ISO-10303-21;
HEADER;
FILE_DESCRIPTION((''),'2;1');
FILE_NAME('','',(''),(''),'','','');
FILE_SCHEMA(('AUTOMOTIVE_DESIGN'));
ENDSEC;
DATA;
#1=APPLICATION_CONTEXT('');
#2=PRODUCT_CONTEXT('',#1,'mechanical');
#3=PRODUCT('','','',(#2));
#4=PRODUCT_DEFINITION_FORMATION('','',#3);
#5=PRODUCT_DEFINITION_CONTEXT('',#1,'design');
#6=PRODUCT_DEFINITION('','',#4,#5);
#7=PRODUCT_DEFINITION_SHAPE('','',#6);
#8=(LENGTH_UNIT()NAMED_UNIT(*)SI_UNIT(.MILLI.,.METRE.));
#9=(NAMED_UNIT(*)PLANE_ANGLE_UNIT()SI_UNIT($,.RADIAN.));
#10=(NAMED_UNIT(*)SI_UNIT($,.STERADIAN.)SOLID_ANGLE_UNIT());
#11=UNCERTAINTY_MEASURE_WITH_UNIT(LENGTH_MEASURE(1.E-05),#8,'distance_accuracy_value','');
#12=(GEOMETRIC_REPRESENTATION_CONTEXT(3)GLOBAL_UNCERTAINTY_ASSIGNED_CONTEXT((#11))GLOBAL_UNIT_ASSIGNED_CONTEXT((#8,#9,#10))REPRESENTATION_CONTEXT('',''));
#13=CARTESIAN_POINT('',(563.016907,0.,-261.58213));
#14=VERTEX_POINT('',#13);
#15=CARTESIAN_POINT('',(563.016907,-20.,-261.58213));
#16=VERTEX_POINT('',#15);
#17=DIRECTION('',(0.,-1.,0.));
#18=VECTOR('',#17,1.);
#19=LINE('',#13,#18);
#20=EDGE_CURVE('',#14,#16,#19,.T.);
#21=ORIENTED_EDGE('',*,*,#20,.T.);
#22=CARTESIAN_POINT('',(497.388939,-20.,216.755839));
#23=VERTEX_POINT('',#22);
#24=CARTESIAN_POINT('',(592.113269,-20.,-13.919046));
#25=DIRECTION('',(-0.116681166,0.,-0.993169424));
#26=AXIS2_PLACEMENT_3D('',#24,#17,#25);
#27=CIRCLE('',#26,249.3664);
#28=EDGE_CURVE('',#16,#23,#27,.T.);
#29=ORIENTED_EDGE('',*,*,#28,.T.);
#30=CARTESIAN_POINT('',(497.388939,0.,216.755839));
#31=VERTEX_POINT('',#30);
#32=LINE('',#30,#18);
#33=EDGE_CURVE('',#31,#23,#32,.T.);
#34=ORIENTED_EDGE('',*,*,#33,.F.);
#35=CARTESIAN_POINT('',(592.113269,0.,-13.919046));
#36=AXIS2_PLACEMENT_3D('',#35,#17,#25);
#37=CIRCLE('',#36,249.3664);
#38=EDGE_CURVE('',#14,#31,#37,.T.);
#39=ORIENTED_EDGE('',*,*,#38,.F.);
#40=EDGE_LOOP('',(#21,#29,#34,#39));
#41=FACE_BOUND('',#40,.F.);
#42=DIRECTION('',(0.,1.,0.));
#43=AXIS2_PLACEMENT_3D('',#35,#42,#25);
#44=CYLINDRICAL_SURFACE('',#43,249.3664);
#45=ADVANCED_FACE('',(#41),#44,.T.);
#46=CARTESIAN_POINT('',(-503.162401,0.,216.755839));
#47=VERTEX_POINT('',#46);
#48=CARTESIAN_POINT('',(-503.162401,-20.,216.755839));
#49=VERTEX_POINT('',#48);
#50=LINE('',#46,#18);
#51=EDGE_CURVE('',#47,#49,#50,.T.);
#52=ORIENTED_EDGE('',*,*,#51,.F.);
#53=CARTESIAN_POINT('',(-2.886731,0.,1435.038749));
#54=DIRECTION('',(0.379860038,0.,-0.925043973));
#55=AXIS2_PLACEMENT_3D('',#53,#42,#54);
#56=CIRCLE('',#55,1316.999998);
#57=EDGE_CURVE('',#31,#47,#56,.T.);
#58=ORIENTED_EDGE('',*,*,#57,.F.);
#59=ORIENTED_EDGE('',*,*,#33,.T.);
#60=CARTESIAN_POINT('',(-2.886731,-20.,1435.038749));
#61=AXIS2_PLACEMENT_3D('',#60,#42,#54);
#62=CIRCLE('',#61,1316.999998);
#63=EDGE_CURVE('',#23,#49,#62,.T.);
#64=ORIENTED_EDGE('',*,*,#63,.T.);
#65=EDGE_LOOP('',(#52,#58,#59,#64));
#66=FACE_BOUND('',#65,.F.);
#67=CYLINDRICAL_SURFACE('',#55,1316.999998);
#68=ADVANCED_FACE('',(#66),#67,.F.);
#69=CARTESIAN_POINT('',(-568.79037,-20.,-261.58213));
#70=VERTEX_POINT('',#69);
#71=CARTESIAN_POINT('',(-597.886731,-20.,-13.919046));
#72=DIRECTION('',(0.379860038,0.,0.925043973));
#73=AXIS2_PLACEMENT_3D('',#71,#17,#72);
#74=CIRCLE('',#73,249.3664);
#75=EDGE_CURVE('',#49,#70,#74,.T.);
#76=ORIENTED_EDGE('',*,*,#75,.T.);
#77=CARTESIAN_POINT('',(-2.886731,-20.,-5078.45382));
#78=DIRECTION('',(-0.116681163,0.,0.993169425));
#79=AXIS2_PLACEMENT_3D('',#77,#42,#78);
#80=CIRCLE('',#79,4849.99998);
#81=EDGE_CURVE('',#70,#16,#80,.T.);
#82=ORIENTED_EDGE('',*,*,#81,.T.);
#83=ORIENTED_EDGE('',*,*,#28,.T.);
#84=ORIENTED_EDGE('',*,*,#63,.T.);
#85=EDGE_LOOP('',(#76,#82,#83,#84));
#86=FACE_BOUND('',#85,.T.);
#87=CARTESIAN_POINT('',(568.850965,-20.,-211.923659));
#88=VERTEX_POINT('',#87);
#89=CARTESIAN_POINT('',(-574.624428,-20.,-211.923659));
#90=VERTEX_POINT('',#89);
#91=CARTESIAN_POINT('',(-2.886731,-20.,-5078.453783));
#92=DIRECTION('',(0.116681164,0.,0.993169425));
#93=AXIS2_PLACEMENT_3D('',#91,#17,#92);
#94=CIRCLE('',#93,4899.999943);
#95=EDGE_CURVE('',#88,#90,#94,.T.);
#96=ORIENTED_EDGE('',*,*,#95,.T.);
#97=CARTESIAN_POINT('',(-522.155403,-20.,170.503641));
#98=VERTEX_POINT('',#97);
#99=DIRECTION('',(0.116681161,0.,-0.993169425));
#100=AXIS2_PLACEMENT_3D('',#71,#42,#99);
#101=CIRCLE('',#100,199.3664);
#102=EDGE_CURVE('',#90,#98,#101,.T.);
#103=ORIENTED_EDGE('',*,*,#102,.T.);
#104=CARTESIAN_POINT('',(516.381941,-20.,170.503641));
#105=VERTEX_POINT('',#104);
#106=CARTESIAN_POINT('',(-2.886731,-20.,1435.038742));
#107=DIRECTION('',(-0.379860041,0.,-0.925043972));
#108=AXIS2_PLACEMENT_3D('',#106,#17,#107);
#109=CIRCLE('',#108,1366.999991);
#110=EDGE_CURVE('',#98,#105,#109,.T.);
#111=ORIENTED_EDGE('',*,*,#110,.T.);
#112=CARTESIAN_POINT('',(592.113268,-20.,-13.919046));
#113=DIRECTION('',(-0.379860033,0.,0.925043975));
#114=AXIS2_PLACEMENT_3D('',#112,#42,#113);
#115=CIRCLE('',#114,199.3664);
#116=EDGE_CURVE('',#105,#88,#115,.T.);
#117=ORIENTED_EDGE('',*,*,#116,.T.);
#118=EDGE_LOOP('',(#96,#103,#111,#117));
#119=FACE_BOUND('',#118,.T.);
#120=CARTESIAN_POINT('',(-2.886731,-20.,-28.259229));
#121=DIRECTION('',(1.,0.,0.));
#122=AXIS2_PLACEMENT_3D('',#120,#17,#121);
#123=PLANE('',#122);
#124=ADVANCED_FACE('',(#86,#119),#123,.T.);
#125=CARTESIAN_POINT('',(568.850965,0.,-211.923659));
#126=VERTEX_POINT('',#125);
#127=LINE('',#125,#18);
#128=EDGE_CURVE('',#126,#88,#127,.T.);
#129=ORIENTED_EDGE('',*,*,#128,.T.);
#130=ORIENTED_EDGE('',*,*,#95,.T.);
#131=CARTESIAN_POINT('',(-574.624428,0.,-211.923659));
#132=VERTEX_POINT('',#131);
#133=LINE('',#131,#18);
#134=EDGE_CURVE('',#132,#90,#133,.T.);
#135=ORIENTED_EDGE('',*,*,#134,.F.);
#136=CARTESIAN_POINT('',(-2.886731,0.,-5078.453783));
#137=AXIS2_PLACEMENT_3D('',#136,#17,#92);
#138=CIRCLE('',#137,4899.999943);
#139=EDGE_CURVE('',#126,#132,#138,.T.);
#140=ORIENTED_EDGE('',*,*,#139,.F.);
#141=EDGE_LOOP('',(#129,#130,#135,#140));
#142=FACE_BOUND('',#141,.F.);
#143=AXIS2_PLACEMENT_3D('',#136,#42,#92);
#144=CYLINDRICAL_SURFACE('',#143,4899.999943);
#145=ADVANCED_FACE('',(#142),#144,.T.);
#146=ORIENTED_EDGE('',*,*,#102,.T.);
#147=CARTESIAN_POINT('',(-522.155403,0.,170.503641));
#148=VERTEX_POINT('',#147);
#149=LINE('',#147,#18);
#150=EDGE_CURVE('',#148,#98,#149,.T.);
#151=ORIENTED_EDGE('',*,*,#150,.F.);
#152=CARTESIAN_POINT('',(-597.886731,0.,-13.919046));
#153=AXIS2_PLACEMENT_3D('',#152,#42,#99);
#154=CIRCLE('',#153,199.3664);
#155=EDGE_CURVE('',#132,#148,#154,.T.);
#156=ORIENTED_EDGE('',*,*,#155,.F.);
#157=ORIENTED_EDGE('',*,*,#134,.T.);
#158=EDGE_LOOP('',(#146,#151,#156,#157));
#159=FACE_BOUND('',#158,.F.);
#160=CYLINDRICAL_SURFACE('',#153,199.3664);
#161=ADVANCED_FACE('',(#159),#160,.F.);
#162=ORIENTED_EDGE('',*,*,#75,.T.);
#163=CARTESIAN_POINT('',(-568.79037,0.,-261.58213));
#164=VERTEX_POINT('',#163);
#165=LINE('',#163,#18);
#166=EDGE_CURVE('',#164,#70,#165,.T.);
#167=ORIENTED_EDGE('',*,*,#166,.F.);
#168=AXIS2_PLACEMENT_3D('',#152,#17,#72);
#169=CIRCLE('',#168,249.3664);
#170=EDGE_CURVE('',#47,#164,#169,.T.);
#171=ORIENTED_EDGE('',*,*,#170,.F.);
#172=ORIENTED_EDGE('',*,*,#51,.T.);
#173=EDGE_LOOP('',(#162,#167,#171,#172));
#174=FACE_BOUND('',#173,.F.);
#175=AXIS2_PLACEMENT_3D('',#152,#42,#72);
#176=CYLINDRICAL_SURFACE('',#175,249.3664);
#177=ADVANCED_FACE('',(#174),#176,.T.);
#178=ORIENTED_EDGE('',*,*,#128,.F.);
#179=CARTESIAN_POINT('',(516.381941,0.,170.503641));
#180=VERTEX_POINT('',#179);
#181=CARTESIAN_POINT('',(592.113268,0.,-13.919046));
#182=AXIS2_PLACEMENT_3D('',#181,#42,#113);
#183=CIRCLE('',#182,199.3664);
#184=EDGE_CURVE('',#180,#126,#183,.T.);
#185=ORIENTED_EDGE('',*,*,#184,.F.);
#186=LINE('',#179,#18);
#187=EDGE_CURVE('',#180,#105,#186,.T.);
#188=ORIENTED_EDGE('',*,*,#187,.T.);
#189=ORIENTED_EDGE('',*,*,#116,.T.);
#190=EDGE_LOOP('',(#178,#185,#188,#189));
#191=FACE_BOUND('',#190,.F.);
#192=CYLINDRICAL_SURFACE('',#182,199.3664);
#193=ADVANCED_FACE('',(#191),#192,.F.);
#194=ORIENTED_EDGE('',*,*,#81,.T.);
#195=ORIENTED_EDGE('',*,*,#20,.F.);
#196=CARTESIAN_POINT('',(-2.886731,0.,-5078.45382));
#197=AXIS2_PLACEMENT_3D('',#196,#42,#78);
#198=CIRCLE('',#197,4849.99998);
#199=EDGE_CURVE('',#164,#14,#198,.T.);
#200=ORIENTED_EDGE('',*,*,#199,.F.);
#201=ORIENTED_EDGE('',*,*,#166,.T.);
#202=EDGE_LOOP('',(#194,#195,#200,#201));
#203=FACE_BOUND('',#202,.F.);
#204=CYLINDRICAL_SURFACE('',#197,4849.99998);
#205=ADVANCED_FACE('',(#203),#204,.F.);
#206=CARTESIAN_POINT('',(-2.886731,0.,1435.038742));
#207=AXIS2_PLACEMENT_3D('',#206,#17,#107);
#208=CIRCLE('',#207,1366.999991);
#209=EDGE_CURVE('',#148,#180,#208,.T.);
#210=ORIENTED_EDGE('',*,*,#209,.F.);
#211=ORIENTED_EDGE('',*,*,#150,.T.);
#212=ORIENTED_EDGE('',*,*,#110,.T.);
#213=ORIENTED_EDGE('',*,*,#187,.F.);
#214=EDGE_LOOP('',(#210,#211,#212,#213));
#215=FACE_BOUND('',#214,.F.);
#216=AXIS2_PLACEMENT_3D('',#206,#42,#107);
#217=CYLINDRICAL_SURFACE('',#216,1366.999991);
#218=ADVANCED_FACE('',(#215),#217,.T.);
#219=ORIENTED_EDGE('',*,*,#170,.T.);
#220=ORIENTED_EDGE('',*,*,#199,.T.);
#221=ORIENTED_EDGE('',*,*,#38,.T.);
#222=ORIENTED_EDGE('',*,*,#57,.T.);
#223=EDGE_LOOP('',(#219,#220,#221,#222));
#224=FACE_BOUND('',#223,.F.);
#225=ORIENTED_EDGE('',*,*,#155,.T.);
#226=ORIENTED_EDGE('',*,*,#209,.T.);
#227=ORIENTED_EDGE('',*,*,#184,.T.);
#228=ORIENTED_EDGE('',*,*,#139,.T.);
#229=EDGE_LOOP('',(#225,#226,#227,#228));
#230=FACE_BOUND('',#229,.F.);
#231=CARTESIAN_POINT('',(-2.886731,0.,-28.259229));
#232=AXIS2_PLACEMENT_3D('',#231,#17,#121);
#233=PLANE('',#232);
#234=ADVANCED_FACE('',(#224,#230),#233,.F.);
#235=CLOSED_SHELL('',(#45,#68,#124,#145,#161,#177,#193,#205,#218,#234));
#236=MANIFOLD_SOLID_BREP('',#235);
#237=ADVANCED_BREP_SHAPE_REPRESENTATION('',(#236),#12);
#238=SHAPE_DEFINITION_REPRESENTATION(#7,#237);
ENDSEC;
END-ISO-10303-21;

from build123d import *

# Parameters (mm, degrees)
F1_DEPTH = 20


with BuildPart() as f1:
    # F0 (on Front) → F1 (new body)
    with BuildSketch(Plane.XZ):
        with BuildLine():
            ThreePointArc((497.388939, 216.755839), (-2.886731, 118.038751), (-503.162401, 216.755839))
            ThreePointArc((-503.162401, 216.755839), (-844.938738, 19.976489), (-568.79037, -261.58213))
            ThreePointArc((-568.79037, -261.58213), (-2.886731, -228.45384), (563.016907, -261.58213))
            ThreePointArc((563.016907, -261.58213), (839.165276, 19.976489), (497.388939, 216.755839))
        make_face()
        with BuildLine():
            ThreePointArc((-574.624428, -211.923659), (-795.402793, 13.180157), (-522.155403, 170.503641))
            ThreePointArc((-522.155403, 170.503641), (-2.886731, 68.038751), (516.381941, 170.503641))
            ThreePointArc((516.381941, 170.503641), (789.62933, 13.180157), (568.850965, -211.923659))
            ThreePointArc((568.850965, -211.923659), (-2.886731, -178.45384), (-574.624428, -211.923659))
        make_face(mode=Mode.SUBTRACT)
    extrude(amount=F1_DEPTH)


solid = f1.part
